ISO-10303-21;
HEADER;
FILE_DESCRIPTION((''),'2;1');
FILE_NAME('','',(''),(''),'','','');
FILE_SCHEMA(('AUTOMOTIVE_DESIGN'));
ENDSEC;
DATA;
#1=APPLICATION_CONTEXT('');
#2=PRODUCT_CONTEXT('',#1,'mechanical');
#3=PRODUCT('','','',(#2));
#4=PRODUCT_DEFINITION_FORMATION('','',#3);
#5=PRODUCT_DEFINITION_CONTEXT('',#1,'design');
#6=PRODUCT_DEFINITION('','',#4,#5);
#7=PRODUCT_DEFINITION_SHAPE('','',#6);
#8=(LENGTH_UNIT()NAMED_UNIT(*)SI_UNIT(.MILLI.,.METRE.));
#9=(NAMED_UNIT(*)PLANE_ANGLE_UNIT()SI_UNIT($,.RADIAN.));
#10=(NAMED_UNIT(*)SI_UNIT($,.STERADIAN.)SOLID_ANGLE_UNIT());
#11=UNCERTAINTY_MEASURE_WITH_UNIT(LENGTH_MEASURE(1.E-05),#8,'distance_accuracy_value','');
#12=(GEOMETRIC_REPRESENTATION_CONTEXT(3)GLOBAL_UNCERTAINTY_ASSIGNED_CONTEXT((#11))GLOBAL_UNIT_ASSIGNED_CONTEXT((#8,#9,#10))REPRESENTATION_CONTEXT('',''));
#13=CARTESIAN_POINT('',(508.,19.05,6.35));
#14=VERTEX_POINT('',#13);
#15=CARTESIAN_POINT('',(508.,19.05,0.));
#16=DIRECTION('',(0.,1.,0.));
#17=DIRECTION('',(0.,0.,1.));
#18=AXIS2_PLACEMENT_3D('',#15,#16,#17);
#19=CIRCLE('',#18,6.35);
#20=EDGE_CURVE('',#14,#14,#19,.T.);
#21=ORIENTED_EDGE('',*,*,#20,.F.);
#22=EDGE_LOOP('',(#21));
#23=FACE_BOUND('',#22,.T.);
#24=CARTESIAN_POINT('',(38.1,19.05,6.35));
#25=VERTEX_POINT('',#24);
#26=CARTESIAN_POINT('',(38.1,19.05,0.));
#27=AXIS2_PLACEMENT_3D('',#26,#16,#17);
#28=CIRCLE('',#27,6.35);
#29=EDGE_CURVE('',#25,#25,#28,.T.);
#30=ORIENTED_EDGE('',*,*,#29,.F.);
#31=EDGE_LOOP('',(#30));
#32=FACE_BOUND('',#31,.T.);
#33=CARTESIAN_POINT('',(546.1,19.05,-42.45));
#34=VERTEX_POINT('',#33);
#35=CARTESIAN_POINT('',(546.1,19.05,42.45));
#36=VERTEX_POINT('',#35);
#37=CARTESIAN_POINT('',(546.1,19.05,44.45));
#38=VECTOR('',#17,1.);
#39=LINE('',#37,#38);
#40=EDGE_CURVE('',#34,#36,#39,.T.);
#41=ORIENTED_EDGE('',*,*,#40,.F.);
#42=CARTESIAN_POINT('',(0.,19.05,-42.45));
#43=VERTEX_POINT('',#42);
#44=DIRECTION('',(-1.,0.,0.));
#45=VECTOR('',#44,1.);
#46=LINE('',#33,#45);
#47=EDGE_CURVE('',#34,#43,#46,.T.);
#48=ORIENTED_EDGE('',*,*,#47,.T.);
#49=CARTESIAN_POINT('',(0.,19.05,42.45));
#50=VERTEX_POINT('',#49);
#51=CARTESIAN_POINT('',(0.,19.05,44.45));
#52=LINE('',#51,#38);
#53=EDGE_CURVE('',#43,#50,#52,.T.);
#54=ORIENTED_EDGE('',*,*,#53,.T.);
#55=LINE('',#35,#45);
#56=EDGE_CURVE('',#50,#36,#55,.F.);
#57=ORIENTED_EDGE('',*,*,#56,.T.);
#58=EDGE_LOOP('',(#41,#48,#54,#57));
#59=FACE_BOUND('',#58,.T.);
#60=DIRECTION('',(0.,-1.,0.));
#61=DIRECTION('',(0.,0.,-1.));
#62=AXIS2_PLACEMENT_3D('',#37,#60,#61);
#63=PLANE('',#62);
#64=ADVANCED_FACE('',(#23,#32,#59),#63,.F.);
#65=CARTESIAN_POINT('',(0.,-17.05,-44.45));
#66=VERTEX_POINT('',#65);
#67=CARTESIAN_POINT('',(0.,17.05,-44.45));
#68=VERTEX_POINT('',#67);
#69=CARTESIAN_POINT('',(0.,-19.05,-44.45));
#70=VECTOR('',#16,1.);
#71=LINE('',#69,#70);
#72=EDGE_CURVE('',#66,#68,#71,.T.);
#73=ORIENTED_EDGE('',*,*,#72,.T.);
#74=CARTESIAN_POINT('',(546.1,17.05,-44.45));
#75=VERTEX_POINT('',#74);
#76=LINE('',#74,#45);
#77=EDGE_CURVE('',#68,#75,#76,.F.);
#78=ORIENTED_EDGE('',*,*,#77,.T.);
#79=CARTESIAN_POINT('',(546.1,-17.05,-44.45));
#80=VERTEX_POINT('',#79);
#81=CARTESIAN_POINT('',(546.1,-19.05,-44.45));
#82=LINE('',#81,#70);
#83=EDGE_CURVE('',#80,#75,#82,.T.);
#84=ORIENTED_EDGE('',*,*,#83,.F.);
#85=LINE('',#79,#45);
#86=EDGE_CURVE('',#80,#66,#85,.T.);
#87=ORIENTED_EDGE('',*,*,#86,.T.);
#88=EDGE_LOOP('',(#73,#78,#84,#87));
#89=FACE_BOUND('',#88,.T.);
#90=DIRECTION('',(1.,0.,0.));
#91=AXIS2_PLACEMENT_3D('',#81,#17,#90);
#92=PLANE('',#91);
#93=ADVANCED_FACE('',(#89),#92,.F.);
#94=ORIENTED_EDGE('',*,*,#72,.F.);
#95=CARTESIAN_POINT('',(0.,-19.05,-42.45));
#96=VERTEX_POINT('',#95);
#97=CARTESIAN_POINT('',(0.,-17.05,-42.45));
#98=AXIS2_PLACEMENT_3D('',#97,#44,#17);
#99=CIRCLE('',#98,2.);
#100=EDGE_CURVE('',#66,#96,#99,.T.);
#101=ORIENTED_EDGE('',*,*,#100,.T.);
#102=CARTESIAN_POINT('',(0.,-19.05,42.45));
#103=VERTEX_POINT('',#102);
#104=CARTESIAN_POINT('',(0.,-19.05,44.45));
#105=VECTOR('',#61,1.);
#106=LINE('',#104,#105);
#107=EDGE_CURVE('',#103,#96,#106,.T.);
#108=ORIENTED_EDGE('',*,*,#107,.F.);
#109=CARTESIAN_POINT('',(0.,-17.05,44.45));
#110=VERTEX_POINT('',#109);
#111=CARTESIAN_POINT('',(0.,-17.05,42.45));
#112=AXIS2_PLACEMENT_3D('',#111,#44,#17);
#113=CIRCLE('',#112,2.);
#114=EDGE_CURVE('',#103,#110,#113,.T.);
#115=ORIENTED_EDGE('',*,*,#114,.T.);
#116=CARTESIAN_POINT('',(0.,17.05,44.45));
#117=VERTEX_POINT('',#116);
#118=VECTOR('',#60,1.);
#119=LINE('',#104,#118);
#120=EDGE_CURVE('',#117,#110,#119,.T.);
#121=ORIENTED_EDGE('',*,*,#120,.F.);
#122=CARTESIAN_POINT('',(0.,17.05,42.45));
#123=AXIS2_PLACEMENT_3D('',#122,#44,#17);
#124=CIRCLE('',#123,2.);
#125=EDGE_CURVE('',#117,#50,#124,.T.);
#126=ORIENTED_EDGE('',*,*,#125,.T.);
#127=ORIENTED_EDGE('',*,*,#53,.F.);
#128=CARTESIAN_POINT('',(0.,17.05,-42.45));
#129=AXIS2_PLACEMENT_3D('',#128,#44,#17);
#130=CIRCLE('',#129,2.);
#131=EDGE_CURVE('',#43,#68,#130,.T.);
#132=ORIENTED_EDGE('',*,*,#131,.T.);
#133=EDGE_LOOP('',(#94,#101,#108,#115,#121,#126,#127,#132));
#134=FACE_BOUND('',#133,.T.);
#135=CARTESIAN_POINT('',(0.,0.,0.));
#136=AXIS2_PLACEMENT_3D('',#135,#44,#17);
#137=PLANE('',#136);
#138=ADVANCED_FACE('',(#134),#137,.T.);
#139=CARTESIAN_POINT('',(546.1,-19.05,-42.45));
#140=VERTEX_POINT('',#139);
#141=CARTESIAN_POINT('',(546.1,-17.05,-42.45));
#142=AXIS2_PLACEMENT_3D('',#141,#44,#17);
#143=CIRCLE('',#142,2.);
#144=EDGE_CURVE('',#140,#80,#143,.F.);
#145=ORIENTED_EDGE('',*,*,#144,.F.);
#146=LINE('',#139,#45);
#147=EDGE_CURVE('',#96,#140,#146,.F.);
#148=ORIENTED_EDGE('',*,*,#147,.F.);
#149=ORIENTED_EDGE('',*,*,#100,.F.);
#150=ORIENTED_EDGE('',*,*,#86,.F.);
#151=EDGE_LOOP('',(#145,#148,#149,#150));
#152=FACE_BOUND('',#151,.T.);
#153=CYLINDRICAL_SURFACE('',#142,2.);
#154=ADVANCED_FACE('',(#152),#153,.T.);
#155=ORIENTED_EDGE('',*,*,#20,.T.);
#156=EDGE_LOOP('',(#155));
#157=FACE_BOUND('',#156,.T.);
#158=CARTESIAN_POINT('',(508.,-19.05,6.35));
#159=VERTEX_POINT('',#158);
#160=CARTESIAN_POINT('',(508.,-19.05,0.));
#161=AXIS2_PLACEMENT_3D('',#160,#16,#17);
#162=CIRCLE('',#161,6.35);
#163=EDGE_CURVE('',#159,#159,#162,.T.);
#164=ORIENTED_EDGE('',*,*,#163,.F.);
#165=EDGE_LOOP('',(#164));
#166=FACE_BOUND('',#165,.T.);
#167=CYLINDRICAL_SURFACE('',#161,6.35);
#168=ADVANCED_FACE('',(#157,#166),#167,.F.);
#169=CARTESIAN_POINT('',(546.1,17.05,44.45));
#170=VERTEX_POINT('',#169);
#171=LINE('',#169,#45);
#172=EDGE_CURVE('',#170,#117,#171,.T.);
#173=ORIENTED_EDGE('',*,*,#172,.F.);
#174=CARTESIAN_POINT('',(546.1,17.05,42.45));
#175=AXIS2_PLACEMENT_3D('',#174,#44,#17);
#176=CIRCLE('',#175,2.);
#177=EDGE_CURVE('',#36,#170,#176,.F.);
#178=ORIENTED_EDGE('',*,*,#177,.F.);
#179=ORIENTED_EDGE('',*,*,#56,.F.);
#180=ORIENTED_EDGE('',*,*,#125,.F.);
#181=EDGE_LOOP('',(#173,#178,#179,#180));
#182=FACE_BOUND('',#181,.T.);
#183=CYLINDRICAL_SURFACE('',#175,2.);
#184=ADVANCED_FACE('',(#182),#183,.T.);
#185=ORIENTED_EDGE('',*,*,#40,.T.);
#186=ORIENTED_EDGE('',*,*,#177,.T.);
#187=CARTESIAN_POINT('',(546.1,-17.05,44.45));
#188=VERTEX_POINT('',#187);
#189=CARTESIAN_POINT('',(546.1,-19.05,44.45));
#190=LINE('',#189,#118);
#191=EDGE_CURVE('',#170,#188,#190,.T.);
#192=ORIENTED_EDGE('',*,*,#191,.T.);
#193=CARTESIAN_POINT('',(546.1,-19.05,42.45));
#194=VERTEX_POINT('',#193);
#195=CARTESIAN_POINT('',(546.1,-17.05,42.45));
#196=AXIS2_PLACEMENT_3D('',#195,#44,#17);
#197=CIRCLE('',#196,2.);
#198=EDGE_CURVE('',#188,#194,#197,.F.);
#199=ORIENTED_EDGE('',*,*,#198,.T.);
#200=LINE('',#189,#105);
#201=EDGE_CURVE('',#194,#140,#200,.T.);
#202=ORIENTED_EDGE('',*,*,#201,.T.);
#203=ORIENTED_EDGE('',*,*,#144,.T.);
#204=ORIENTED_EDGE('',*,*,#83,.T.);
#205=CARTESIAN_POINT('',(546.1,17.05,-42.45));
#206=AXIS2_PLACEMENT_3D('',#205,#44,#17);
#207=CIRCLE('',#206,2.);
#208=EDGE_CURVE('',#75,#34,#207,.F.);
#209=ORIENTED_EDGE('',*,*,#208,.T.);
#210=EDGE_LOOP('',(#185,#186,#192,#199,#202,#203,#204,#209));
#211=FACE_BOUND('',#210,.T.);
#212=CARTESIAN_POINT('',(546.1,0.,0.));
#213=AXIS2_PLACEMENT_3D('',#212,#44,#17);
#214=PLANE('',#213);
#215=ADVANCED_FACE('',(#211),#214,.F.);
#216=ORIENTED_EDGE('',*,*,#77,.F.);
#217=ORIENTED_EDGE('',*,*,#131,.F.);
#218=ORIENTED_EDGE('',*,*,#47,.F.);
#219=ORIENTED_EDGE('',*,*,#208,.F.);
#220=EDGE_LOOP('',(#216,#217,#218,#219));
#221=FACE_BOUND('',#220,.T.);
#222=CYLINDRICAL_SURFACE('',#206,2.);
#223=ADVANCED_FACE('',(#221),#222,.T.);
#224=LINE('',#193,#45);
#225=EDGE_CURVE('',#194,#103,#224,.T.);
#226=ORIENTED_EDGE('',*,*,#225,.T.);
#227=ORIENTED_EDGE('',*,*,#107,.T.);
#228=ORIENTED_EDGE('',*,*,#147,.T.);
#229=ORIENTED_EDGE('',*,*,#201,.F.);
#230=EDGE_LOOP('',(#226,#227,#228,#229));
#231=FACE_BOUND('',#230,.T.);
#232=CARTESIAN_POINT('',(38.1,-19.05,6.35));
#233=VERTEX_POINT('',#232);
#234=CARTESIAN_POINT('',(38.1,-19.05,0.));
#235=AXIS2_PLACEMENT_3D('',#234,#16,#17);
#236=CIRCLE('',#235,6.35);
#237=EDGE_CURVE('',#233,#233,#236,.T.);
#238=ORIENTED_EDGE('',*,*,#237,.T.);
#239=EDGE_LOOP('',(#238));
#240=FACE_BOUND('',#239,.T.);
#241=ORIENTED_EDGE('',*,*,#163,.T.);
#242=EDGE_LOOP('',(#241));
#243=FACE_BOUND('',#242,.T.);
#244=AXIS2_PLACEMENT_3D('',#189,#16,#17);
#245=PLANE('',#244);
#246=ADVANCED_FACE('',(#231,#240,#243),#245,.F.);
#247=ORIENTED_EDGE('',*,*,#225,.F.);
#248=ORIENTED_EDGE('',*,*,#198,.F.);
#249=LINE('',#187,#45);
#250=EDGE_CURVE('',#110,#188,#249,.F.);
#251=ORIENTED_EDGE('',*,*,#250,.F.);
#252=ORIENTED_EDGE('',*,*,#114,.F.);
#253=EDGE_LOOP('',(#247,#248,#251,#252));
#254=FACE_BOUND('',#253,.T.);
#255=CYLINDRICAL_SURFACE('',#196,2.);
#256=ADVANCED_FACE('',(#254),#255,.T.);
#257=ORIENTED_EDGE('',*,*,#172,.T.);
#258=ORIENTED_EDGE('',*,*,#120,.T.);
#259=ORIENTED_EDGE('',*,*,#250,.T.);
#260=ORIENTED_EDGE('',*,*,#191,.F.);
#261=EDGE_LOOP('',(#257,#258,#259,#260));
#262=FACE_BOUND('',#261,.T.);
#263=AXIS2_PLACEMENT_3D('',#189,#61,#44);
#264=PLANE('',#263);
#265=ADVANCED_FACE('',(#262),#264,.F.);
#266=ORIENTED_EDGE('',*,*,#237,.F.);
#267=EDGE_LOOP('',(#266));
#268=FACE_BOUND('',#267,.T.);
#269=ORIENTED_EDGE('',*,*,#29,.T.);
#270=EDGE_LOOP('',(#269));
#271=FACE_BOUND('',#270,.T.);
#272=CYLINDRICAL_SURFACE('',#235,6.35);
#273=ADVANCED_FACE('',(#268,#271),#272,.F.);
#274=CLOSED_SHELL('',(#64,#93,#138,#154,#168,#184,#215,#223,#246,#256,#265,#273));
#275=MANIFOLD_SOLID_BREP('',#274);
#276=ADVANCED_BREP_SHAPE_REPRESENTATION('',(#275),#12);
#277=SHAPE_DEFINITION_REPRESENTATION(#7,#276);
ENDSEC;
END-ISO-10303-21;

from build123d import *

# Parameters (mm, degrees)
SKETCH1_W           = 88.9
SKETCH1_H           = 38.1
BOSS_EXTRUDE1_DEPTH = 546.1
FILLET1_R           = 2
SKETCH2_R           = 6.35
CUT_EXTRUDE1_DEPTH  = 550.229116581


with BuildPart() as part:
    # Sketch1 → Boss-Extrude1 (new body)
    with BuildSketch(Plane(origin=(0, 0, 0), x_dir=(0, 0, -1), z_dir=(1, 0, 0))):
        Rectangle(SKETCH1_W, SKETCH1_H)
    extrude(amount=BOSS_EXTRUDE1_DEPTH)

    # Fillet1
    fillet1_edges = [part.edges().sort_by_distance(p)[0] for p in [
        (273.05, -19.05, -44.45),
        (273.05, -19.05, 44.45),
        (273.05, 19.05, 44.45),
        (273.05, 19.05, -44.45),
    ]]
    fillet(fillet1_edges, radius=FILLET1_R)

    # Sketch2 → Cut-Extrude1 (cut, through all)
    with BuildSketch(Plane(origin=(0, 19.05, 0), x_dir=(1, 0, 0), z_dir=(0, 1, 0))):
        with Locations(Location((38.1, 0, 0), (0, 0, 270))):
            Circle(SKETCH2_R)
        with Locations(Location((508, 0, 0), (0, 0, 270))):
            Circle(SKETCH2_R)
    extrude(amount=-CUT_EXTRUDE1_DEPTH, mode=Mode.SUBTRACT)


solid = part.part
